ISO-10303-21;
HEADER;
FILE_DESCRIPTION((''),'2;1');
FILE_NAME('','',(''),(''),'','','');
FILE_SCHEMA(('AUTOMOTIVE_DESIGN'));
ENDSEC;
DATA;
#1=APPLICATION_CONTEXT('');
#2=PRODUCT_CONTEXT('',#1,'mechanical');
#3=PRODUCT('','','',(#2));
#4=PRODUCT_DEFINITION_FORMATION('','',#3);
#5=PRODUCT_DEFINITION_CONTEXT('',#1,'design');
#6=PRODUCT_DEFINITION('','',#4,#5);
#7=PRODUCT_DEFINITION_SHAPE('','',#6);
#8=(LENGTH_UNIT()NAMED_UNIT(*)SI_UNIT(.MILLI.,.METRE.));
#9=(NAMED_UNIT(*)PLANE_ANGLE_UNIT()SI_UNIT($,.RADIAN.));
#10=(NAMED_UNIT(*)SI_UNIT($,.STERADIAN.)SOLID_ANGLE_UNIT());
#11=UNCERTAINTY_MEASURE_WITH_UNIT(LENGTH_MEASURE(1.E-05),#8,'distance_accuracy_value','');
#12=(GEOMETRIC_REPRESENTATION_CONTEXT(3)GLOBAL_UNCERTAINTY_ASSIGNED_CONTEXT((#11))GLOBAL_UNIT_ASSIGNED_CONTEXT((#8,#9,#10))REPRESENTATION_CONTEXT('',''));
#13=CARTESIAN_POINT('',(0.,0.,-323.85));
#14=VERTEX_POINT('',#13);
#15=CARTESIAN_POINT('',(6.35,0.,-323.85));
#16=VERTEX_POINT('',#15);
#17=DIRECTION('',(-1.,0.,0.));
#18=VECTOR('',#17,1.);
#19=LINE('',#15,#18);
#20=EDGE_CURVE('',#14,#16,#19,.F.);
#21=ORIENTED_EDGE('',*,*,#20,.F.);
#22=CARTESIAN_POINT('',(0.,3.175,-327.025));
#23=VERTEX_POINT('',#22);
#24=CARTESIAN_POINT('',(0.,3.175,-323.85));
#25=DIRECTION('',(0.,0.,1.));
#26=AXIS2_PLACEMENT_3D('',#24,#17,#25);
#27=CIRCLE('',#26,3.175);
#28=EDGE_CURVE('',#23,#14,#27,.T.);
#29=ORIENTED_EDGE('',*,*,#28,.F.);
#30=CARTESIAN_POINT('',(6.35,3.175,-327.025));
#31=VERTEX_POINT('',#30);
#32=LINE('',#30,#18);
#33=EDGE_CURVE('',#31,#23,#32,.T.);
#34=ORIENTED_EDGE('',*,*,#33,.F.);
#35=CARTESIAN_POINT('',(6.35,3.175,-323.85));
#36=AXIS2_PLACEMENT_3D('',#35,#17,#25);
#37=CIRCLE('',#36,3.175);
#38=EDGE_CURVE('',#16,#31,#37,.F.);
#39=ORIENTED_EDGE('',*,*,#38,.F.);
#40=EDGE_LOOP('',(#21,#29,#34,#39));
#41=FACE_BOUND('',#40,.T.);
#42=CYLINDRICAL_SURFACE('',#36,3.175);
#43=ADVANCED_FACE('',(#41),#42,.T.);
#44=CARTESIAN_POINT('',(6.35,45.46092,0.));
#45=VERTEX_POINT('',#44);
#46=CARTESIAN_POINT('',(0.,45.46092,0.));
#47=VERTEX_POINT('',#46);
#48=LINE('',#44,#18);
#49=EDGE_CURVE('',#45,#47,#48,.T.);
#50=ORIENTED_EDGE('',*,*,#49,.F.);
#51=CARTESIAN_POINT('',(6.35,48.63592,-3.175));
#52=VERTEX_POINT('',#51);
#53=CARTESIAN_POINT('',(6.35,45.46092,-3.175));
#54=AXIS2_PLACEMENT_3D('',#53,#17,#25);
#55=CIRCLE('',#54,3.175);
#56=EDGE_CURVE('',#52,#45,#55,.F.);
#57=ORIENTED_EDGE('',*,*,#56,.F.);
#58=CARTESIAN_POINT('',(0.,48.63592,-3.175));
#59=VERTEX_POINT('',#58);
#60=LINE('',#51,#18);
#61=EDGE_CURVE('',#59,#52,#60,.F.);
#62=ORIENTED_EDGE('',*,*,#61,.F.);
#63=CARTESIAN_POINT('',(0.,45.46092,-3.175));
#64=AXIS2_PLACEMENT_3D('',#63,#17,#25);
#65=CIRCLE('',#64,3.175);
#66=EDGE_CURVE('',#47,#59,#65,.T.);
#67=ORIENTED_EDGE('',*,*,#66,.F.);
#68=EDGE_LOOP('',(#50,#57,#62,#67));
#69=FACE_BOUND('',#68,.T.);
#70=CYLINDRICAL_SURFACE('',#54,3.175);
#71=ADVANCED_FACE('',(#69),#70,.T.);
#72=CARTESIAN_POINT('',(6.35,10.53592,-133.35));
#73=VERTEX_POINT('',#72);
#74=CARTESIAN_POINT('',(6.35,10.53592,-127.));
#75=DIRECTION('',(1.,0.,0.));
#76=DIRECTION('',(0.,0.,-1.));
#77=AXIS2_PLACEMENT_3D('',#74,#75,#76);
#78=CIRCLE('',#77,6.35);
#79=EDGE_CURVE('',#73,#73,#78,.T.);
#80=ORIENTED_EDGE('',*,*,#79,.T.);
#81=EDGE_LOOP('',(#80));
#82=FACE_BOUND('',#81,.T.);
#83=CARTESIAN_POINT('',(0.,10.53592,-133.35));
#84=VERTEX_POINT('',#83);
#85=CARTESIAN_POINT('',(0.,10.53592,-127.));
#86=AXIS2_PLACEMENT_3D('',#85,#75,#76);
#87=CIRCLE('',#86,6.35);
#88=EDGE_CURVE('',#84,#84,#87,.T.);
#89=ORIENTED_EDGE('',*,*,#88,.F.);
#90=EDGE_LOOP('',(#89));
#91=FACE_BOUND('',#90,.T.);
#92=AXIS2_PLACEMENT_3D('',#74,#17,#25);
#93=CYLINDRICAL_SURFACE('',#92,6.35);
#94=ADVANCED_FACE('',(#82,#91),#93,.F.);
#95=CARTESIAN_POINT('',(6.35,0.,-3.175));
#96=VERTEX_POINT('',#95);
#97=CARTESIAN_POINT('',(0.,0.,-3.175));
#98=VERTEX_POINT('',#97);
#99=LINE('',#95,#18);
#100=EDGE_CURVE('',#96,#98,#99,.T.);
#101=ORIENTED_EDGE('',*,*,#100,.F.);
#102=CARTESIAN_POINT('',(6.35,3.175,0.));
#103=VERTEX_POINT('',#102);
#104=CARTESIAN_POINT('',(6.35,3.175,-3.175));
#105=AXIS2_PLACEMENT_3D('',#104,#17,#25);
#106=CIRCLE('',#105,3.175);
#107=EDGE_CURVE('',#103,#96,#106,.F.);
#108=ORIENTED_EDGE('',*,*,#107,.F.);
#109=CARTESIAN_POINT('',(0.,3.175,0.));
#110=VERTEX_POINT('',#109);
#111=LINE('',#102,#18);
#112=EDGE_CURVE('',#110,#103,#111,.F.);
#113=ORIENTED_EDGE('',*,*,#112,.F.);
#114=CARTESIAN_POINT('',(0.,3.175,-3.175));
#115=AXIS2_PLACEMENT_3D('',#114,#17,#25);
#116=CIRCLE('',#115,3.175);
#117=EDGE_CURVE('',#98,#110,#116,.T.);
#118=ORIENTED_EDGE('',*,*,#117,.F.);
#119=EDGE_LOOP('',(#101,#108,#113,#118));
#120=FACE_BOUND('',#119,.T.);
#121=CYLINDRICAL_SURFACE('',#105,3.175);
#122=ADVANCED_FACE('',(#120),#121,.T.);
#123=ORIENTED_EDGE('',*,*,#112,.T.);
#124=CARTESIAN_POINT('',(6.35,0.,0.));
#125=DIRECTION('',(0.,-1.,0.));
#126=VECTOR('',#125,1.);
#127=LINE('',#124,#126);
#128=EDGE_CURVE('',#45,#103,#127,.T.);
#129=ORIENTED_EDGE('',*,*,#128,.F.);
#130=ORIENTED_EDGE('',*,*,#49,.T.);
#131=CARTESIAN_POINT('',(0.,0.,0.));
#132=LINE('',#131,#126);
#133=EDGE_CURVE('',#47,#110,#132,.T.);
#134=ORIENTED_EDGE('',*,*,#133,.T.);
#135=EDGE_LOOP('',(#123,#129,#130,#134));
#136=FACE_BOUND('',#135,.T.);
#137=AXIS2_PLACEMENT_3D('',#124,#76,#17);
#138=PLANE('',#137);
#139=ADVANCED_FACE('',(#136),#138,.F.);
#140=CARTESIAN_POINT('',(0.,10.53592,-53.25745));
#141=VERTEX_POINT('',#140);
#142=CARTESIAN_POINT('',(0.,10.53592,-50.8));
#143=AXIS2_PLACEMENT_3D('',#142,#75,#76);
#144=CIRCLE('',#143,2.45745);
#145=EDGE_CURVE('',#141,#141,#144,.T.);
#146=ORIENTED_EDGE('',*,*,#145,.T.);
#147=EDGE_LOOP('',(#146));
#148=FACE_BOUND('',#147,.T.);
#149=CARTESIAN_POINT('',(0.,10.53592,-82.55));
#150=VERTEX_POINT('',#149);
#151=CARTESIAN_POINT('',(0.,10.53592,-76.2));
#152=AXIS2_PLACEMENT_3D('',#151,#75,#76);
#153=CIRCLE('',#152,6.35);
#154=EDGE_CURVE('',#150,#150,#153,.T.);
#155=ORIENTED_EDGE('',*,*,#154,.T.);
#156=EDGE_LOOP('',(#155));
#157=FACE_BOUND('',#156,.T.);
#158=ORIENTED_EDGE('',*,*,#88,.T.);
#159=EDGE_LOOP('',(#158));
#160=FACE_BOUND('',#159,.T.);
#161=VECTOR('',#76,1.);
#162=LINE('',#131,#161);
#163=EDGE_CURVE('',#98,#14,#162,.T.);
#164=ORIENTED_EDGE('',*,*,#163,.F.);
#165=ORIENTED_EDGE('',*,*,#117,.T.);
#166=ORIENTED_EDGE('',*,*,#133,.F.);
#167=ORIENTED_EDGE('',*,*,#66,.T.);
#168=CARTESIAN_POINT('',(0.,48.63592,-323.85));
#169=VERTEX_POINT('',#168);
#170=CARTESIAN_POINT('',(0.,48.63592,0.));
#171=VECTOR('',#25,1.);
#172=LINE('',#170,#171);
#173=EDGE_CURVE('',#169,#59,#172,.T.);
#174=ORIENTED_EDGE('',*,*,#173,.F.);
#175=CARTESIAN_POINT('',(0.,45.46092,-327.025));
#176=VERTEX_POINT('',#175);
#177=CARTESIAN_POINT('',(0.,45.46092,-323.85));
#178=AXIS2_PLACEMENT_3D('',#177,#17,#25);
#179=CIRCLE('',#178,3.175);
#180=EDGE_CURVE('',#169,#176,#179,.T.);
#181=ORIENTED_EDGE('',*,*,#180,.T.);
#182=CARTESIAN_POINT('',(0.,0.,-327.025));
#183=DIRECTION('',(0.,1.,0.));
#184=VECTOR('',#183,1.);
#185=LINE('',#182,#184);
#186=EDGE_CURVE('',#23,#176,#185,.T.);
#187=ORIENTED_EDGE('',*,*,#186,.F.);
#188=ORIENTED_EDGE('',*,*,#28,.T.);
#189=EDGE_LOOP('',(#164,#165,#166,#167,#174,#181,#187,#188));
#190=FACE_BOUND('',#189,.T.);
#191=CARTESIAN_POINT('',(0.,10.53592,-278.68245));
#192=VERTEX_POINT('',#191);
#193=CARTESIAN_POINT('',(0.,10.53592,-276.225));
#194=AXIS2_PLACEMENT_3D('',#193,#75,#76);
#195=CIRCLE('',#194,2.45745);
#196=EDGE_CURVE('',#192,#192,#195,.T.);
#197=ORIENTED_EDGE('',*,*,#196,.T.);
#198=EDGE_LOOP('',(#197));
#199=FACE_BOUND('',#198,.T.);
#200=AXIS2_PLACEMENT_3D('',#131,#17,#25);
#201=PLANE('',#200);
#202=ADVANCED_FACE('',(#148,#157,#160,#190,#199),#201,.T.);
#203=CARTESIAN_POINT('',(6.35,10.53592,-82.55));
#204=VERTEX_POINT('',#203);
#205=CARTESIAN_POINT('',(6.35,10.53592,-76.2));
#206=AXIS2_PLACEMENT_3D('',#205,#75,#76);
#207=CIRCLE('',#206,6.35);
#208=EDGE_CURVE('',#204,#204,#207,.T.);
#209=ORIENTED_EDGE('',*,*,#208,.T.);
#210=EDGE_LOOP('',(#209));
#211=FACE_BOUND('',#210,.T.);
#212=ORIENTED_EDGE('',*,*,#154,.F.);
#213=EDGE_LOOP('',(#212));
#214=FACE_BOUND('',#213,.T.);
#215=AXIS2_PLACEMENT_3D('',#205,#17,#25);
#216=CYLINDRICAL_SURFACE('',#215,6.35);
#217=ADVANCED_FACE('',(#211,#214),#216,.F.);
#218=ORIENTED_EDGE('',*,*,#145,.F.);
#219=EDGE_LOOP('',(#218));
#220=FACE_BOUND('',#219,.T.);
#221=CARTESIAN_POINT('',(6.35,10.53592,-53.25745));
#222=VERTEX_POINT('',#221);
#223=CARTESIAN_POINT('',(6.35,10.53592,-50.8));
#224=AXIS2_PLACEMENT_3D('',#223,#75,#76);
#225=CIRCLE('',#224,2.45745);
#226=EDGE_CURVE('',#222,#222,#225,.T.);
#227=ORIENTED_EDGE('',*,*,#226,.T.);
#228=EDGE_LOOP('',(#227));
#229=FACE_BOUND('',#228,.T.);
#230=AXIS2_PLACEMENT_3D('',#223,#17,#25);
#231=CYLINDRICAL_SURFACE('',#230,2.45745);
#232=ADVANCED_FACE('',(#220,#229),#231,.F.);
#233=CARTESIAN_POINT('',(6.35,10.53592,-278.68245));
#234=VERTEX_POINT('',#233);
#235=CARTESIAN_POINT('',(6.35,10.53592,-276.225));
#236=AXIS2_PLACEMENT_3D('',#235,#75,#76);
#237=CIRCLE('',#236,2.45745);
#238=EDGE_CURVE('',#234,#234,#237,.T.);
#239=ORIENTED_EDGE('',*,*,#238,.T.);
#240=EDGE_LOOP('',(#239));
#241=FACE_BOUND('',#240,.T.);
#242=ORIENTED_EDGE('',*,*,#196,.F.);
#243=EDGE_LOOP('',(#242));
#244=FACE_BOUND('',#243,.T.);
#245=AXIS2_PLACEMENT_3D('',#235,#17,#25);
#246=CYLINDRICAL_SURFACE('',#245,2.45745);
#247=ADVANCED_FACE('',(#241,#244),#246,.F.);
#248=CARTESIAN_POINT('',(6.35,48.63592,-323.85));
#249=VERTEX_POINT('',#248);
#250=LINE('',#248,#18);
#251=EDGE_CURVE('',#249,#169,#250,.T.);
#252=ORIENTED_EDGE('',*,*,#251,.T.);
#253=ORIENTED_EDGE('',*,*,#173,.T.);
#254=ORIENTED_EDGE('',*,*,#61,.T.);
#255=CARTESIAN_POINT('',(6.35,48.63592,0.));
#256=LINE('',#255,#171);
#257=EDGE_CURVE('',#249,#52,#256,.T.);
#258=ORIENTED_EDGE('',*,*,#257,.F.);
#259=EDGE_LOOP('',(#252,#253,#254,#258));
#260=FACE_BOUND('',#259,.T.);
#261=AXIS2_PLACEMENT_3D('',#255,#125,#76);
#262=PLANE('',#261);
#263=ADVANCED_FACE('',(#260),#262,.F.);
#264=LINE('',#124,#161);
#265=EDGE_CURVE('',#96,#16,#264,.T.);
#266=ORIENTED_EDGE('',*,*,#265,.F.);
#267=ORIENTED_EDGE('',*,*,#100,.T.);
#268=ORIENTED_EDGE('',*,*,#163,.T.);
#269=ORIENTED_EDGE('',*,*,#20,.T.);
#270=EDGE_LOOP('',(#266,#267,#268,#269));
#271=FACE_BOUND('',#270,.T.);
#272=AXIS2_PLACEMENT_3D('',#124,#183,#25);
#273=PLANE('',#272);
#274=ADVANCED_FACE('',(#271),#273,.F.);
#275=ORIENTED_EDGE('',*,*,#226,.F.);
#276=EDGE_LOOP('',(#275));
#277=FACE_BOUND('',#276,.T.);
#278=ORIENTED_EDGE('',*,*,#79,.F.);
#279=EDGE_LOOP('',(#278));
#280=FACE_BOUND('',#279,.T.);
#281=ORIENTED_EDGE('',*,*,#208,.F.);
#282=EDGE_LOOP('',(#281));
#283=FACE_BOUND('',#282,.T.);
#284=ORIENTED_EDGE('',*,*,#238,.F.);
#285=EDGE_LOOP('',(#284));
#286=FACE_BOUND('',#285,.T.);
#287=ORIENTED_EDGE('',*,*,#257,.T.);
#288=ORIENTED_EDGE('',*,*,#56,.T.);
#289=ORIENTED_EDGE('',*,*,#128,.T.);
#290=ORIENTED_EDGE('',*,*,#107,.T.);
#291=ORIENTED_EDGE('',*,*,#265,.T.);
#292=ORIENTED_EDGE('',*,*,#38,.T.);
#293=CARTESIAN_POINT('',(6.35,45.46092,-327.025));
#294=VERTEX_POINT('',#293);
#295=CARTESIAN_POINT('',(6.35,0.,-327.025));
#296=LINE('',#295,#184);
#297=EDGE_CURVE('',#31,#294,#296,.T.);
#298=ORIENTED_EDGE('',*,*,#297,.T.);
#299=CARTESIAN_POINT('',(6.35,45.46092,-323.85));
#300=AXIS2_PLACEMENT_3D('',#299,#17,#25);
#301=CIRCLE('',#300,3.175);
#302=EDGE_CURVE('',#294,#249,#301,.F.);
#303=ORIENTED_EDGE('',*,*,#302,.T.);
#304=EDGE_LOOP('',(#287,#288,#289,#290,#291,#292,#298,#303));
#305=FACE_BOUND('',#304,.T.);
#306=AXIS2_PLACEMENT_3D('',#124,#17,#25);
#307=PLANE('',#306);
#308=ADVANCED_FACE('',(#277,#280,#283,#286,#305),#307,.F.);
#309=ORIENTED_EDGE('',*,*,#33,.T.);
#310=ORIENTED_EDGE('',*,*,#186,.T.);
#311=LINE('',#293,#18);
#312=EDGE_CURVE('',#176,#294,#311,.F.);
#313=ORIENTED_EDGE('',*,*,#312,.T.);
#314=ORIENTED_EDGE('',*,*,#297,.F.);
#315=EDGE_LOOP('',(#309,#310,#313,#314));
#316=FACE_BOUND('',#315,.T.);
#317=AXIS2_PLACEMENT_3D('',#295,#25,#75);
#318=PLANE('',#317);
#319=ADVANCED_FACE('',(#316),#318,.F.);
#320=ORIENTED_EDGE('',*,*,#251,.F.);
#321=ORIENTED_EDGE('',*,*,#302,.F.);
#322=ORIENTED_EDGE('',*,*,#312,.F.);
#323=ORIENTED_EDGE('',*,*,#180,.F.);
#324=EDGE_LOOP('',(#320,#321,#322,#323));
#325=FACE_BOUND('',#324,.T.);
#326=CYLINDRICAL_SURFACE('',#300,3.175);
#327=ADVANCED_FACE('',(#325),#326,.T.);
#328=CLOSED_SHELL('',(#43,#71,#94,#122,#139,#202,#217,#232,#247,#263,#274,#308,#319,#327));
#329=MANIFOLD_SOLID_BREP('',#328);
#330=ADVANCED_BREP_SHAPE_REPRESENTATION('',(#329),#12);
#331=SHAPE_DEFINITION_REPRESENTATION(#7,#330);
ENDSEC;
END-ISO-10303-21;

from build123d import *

# Parameters (mm, degrees)
SKETCH1_W           = 327.025
SKETCH1_H           = 48.63592
SKETCH1_R           = 2.45745
SKETCH1_R_2         = 6.35
BOSS_EXTRUDE1_DEPTH = 6.35
FILLET1_R           = 3.175


with BuildPart() as part:
    # Sketch1 → Boss-Extrude1 (new body)
    with BuildSketch(Plane(origin=(0, 0, 0), x_dir=(0, 0, -1), z_dir=(1, 0, 0))):
        with Locations((163.5125, 24.31796)):
            Rectangle(SKETCH1_W, SKETCH1_H)
        with Locations((50.8, 10.53592)):
            Circle(SKETCH1_R, mode=Mode.SUBTRACT)
        with Locations((276.225, 10.53592)):
            Circle(SKETCH1_R, mode=Mode.SUBTRACT)
        with Locations((76.2, 10.53592)):
            Circle(SKETCH1_R_2, mode=Mode.SUBTRACT)
        with Locations((127, 10.53592)):
            Circle(SKETCH1_R_2, mode=Mode.SUBTRACT)
    extrude(amount=BOSS_EXTRUDE1_DEPTH)

    # Fillet1
    fillet1_edges = [part.edges().sort_by_distance(p)[0] for p in [
        (3.175, 48.63592, 0),
        (3.175, 48.63592, -327.025),
        (3.175, 0, -327.025),
        (3.175, 0, 0),
    ]]
    fillet(fillet1_edges, radius=FILLET1_R)


solid = part.part
